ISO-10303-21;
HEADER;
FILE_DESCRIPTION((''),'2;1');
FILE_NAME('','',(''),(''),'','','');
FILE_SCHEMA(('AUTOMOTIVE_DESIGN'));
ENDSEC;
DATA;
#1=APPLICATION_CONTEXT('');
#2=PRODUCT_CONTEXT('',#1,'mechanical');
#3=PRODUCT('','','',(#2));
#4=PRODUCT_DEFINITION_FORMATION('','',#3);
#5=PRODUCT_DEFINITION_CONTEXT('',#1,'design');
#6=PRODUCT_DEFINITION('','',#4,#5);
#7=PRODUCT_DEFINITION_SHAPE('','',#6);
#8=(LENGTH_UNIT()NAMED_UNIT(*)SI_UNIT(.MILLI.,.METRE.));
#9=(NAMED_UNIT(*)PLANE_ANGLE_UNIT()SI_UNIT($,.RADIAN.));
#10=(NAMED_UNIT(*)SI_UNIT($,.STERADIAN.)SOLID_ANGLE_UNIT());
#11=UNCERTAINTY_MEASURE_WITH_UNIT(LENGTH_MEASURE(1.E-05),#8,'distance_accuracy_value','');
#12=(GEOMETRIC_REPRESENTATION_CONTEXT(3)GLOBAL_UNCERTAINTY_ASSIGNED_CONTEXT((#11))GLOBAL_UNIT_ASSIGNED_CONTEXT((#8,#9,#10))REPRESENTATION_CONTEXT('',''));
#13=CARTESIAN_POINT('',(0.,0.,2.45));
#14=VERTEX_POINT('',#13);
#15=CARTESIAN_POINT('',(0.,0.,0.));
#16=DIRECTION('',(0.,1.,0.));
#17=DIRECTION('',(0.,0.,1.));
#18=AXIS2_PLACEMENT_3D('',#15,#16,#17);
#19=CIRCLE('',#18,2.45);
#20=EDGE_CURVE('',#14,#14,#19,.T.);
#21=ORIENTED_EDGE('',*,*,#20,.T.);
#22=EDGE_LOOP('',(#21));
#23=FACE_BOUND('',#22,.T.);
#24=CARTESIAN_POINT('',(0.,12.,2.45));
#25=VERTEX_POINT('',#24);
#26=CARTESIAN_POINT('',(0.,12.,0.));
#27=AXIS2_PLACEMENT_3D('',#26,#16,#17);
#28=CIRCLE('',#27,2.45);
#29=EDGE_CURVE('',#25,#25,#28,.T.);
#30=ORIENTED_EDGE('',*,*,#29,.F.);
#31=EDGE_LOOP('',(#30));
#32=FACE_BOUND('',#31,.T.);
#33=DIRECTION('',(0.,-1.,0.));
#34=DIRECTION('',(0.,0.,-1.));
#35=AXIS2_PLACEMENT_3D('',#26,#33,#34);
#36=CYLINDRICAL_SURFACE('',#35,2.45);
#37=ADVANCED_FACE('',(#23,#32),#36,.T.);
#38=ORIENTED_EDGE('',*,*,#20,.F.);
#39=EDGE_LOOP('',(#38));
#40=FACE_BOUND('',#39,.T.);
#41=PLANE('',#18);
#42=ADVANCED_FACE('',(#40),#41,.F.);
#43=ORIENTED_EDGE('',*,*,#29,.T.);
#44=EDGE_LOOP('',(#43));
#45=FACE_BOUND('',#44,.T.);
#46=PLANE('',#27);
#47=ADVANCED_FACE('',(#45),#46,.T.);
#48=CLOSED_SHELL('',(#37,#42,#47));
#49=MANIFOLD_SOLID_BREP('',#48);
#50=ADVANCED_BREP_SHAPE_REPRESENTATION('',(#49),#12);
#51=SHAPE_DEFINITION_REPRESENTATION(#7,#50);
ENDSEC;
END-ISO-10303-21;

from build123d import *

# Parameters (mm, degrees)
SKETCH1_R           = 2.45
BOSS_EXTRUDE1_DEPTH = 12


with BuildPart() as part:
    # Sketch1 → Boss-Extrude1 (new body)
    with BuildSketch(Plane(origin=(0, 0, 0), x_dir=(1, 0, 0), z_dir=(0, 1, 0))):
        Circle(SKETCH1_R)
    extrude(amount=BOSS_EXTRUDE1_DEPTH)


solid = part.part
